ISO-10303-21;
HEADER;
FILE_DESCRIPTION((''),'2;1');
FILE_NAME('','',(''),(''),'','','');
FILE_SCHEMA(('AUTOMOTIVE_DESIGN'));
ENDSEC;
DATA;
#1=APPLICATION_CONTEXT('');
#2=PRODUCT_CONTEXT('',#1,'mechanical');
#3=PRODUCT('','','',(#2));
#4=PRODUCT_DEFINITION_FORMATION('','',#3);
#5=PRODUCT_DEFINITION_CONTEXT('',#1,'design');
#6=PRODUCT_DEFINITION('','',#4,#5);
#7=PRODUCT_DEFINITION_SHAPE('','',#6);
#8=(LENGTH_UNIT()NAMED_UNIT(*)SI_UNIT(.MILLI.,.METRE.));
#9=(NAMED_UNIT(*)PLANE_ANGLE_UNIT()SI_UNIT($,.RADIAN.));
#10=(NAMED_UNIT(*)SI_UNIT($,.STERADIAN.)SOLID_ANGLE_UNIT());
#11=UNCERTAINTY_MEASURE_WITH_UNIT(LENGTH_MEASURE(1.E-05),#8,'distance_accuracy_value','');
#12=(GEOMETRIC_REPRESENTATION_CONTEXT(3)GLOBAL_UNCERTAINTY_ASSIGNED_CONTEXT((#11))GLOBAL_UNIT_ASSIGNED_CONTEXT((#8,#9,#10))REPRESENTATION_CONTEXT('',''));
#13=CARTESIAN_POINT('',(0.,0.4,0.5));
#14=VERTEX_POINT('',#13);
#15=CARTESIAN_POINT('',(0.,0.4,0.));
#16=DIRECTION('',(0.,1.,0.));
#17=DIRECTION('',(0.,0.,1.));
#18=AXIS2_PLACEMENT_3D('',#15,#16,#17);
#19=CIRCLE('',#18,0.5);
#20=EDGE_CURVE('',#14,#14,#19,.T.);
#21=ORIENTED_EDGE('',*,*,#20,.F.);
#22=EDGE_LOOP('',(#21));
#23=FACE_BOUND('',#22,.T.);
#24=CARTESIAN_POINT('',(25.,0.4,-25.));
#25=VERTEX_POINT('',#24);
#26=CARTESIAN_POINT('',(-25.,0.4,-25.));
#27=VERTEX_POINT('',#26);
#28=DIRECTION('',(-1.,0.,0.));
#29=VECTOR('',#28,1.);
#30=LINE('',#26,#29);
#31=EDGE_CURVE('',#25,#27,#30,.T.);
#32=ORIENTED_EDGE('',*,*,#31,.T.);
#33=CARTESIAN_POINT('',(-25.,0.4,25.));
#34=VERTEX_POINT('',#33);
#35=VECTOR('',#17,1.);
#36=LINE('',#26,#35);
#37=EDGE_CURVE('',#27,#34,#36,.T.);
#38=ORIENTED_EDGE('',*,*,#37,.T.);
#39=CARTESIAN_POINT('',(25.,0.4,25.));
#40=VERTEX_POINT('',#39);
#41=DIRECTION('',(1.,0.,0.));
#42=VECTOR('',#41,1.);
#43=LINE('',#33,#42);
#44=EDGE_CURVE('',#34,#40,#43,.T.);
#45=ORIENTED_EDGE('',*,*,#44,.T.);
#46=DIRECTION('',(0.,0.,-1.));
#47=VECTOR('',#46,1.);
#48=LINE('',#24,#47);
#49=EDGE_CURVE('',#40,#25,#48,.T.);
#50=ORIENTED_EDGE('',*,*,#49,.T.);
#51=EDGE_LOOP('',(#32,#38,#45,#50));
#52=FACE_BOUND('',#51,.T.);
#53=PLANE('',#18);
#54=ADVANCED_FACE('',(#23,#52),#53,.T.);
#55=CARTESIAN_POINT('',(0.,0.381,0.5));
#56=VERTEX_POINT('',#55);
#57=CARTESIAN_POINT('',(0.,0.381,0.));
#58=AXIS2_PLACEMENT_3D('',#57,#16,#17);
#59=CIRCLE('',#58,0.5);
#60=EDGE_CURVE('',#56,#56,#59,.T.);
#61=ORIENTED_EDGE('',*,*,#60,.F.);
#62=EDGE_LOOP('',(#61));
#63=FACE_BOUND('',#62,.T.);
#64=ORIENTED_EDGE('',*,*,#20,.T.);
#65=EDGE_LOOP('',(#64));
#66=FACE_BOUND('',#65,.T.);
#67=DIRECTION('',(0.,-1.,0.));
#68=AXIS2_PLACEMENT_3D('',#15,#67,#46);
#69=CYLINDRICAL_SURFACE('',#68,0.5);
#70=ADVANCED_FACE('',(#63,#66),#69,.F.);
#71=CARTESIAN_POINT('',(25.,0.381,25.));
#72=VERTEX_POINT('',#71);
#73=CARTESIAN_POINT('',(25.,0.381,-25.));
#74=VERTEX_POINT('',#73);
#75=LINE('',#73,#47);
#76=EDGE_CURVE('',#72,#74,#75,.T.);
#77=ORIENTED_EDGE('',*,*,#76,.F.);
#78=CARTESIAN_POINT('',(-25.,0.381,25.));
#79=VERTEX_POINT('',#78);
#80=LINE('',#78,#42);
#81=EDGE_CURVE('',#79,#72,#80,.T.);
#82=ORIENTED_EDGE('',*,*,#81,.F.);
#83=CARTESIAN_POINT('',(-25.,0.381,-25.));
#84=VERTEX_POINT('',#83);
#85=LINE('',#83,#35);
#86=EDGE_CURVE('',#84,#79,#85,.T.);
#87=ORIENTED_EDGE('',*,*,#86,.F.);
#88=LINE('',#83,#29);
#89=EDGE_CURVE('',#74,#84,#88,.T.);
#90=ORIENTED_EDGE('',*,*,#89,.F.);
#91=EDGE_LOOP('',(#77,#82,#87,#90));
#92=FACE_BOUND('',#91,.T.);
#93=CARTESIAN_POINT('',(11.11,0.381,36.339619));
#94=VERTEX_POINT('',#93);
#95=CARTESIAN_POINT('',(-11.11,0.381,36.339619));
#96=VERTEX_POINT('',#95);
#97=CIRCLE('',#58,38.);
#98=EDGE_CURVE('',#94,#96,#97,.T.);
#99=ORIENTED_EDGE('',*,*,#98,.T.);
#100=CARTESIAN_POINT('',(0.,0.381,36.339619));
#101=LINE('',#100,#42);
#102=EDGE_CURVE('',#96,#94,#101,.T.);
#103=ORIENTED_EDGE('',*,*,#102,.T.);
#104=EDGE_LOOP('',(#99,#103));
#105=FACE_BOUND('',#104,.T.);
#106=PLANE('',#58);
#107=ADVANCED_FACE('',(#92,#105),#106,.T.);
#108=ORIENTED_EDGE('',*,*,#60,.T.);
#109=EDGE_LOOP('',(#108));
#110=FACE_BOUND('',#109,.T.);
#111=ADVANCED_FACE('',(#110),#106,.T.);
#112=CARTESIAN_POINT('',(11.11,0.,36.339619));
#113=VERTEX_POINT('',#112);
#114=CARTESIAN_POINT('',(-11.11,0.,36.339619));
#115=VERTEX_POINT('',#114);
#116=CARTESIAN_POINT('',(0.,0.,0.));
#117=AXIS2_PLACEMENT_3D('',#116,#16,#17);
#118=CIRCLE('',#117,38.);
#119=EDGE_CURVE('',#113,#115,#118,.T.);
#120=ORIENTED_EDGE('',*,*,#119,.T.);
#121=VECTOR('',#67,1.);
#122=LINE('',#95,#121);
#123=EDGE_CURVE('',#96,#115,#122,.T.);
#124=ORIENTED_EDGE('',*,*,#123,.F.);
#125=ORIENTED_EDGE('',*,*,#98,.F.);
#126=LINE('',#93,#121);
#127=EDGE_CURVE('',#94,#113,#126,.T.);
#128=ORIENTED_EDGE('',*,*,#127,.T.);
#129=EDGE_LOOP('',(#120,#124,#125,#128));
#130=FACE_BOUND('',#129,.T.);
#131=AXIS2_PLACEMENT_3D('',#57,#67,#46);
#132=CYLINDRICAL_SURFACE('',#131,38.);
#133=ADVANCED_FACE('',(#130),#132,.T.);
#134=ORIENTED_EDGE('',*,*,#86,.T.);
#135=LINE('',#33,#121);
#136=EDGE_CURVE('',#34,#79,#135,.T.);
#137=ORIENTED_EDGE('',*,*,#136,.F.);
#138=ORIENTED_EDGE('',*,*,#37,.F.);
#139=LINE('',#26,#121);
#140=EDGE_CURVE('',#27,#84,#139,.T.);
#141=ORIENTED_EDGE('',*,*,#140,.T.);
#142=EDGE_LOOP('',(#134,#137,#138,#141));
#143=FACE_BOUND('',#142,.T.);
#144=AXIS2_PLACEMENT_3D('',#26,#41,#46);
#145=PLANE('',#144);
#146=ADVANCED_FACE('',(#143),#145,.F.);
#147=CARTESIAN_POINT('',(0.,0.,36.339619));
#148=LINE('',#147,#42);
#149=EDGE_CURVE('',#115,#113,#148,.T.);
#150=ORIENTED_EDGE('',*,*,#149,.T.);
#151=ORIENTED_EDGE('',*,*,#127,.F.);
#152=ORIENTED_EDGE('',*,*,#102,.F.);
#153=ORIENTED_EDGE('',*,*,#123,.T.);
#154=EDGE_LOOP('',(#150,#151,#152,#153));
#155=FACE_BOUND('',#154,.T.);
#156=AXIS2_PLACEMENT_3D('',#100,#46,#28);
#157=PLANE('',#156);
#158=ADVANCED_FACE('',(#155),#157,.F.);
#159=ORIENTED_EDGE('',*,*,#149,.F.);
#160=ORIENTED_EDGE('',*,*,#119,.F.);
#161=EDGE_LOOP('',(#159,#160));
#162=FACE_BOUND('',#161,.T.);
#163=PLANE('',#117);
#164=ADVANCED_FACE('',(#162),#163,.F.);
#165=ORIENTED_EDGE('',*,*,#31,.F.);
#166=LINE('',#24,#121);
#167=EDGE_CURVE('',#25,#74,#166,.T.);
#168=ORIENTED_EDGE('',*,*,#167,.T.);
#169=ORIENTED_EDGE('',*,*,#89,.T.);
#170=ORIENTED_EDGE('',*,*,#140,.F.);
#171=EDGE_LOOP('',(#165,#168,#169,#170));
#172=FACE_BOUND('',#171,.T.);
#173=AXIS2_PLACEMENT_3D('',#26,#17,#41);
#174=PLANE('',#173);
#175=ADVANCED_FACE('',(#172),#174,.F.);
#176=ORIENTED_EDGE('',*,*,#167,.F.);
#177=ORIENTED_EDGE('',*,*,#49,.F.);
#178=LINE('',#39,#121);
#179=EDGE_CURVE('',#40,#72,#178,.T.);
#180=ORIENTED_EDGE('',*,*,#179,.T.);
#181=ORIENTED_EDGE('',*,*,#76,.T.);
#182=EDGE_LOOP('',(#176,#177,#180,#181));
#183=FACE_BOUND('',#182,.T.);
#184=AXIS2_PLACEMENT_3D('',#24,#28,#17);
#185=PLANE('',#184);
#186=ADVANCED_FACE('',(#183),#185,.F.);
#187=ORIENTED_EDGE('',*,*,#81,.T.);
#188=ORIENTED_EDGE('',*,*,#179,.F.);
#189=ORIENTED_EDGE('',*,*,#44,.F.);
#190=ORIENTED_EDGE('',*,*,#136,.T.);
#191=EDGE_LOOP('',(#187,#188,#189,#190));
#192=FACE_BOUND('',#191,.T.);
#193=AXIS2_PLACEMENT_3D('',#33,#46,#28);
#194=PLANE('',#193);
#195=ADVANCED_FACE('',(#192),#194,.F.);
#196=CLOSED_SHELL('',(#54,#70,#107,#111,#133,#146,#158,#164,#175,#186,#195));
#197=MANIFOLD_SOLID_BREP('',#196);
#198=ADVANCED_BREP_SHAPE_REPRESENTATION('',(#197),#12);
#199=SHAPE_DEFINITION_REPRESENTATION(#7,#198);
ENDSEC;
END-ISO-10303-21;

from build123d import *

# Parameters (mm, degrees)
SKETCH1_W           = 50
SKETCH1_H           = 50
SKETCH1_R           = 0.5
BOSS_EXTRUDE1_DEPTH = 0.4
BOSS_EXTRUDE2_DEPTH = 0.381


with BuildPart() as part:
    # Sketch1 → Boss-Extrude1 (new body)
    with BuildSketch(Plane(origin=(0, 0, 0), x_dir=(1, 0, 0), z_dir=(0, 1, 0))):
        Rectangle(SKETCH1_W, SKETCH1_H)
        with Locations(Location((0, 0, 0), (0, 0, 270))):
            Circle(SKETCH1_R, mode=Mode.SUBTRACT)
    extrude(amount=BOSS_EXTRUDE1_DEPTH)

    # Sketch3 → Boss-Extrude2 (add)
    with BuildSketch(Plane(origin=(0, 0, 0), x_dir=(1, 0, 0), z_dir=(0, 1, 0))):
        with BuildLine():
            ThreePointArc((38, 0), (-22.60331834, 30.546521897), (-11.11, -36.339618875))
            Line((-11.11, -36.339618875), (11.11, -36.339618875))
            ThreePointArc((11.11, -36.339618875), (30.546521897, -22.60331834), (38, 0))
        make_face()
    extrude(amount=BOSS_EXTRUDE2_DEPTH)


solid = part.part
